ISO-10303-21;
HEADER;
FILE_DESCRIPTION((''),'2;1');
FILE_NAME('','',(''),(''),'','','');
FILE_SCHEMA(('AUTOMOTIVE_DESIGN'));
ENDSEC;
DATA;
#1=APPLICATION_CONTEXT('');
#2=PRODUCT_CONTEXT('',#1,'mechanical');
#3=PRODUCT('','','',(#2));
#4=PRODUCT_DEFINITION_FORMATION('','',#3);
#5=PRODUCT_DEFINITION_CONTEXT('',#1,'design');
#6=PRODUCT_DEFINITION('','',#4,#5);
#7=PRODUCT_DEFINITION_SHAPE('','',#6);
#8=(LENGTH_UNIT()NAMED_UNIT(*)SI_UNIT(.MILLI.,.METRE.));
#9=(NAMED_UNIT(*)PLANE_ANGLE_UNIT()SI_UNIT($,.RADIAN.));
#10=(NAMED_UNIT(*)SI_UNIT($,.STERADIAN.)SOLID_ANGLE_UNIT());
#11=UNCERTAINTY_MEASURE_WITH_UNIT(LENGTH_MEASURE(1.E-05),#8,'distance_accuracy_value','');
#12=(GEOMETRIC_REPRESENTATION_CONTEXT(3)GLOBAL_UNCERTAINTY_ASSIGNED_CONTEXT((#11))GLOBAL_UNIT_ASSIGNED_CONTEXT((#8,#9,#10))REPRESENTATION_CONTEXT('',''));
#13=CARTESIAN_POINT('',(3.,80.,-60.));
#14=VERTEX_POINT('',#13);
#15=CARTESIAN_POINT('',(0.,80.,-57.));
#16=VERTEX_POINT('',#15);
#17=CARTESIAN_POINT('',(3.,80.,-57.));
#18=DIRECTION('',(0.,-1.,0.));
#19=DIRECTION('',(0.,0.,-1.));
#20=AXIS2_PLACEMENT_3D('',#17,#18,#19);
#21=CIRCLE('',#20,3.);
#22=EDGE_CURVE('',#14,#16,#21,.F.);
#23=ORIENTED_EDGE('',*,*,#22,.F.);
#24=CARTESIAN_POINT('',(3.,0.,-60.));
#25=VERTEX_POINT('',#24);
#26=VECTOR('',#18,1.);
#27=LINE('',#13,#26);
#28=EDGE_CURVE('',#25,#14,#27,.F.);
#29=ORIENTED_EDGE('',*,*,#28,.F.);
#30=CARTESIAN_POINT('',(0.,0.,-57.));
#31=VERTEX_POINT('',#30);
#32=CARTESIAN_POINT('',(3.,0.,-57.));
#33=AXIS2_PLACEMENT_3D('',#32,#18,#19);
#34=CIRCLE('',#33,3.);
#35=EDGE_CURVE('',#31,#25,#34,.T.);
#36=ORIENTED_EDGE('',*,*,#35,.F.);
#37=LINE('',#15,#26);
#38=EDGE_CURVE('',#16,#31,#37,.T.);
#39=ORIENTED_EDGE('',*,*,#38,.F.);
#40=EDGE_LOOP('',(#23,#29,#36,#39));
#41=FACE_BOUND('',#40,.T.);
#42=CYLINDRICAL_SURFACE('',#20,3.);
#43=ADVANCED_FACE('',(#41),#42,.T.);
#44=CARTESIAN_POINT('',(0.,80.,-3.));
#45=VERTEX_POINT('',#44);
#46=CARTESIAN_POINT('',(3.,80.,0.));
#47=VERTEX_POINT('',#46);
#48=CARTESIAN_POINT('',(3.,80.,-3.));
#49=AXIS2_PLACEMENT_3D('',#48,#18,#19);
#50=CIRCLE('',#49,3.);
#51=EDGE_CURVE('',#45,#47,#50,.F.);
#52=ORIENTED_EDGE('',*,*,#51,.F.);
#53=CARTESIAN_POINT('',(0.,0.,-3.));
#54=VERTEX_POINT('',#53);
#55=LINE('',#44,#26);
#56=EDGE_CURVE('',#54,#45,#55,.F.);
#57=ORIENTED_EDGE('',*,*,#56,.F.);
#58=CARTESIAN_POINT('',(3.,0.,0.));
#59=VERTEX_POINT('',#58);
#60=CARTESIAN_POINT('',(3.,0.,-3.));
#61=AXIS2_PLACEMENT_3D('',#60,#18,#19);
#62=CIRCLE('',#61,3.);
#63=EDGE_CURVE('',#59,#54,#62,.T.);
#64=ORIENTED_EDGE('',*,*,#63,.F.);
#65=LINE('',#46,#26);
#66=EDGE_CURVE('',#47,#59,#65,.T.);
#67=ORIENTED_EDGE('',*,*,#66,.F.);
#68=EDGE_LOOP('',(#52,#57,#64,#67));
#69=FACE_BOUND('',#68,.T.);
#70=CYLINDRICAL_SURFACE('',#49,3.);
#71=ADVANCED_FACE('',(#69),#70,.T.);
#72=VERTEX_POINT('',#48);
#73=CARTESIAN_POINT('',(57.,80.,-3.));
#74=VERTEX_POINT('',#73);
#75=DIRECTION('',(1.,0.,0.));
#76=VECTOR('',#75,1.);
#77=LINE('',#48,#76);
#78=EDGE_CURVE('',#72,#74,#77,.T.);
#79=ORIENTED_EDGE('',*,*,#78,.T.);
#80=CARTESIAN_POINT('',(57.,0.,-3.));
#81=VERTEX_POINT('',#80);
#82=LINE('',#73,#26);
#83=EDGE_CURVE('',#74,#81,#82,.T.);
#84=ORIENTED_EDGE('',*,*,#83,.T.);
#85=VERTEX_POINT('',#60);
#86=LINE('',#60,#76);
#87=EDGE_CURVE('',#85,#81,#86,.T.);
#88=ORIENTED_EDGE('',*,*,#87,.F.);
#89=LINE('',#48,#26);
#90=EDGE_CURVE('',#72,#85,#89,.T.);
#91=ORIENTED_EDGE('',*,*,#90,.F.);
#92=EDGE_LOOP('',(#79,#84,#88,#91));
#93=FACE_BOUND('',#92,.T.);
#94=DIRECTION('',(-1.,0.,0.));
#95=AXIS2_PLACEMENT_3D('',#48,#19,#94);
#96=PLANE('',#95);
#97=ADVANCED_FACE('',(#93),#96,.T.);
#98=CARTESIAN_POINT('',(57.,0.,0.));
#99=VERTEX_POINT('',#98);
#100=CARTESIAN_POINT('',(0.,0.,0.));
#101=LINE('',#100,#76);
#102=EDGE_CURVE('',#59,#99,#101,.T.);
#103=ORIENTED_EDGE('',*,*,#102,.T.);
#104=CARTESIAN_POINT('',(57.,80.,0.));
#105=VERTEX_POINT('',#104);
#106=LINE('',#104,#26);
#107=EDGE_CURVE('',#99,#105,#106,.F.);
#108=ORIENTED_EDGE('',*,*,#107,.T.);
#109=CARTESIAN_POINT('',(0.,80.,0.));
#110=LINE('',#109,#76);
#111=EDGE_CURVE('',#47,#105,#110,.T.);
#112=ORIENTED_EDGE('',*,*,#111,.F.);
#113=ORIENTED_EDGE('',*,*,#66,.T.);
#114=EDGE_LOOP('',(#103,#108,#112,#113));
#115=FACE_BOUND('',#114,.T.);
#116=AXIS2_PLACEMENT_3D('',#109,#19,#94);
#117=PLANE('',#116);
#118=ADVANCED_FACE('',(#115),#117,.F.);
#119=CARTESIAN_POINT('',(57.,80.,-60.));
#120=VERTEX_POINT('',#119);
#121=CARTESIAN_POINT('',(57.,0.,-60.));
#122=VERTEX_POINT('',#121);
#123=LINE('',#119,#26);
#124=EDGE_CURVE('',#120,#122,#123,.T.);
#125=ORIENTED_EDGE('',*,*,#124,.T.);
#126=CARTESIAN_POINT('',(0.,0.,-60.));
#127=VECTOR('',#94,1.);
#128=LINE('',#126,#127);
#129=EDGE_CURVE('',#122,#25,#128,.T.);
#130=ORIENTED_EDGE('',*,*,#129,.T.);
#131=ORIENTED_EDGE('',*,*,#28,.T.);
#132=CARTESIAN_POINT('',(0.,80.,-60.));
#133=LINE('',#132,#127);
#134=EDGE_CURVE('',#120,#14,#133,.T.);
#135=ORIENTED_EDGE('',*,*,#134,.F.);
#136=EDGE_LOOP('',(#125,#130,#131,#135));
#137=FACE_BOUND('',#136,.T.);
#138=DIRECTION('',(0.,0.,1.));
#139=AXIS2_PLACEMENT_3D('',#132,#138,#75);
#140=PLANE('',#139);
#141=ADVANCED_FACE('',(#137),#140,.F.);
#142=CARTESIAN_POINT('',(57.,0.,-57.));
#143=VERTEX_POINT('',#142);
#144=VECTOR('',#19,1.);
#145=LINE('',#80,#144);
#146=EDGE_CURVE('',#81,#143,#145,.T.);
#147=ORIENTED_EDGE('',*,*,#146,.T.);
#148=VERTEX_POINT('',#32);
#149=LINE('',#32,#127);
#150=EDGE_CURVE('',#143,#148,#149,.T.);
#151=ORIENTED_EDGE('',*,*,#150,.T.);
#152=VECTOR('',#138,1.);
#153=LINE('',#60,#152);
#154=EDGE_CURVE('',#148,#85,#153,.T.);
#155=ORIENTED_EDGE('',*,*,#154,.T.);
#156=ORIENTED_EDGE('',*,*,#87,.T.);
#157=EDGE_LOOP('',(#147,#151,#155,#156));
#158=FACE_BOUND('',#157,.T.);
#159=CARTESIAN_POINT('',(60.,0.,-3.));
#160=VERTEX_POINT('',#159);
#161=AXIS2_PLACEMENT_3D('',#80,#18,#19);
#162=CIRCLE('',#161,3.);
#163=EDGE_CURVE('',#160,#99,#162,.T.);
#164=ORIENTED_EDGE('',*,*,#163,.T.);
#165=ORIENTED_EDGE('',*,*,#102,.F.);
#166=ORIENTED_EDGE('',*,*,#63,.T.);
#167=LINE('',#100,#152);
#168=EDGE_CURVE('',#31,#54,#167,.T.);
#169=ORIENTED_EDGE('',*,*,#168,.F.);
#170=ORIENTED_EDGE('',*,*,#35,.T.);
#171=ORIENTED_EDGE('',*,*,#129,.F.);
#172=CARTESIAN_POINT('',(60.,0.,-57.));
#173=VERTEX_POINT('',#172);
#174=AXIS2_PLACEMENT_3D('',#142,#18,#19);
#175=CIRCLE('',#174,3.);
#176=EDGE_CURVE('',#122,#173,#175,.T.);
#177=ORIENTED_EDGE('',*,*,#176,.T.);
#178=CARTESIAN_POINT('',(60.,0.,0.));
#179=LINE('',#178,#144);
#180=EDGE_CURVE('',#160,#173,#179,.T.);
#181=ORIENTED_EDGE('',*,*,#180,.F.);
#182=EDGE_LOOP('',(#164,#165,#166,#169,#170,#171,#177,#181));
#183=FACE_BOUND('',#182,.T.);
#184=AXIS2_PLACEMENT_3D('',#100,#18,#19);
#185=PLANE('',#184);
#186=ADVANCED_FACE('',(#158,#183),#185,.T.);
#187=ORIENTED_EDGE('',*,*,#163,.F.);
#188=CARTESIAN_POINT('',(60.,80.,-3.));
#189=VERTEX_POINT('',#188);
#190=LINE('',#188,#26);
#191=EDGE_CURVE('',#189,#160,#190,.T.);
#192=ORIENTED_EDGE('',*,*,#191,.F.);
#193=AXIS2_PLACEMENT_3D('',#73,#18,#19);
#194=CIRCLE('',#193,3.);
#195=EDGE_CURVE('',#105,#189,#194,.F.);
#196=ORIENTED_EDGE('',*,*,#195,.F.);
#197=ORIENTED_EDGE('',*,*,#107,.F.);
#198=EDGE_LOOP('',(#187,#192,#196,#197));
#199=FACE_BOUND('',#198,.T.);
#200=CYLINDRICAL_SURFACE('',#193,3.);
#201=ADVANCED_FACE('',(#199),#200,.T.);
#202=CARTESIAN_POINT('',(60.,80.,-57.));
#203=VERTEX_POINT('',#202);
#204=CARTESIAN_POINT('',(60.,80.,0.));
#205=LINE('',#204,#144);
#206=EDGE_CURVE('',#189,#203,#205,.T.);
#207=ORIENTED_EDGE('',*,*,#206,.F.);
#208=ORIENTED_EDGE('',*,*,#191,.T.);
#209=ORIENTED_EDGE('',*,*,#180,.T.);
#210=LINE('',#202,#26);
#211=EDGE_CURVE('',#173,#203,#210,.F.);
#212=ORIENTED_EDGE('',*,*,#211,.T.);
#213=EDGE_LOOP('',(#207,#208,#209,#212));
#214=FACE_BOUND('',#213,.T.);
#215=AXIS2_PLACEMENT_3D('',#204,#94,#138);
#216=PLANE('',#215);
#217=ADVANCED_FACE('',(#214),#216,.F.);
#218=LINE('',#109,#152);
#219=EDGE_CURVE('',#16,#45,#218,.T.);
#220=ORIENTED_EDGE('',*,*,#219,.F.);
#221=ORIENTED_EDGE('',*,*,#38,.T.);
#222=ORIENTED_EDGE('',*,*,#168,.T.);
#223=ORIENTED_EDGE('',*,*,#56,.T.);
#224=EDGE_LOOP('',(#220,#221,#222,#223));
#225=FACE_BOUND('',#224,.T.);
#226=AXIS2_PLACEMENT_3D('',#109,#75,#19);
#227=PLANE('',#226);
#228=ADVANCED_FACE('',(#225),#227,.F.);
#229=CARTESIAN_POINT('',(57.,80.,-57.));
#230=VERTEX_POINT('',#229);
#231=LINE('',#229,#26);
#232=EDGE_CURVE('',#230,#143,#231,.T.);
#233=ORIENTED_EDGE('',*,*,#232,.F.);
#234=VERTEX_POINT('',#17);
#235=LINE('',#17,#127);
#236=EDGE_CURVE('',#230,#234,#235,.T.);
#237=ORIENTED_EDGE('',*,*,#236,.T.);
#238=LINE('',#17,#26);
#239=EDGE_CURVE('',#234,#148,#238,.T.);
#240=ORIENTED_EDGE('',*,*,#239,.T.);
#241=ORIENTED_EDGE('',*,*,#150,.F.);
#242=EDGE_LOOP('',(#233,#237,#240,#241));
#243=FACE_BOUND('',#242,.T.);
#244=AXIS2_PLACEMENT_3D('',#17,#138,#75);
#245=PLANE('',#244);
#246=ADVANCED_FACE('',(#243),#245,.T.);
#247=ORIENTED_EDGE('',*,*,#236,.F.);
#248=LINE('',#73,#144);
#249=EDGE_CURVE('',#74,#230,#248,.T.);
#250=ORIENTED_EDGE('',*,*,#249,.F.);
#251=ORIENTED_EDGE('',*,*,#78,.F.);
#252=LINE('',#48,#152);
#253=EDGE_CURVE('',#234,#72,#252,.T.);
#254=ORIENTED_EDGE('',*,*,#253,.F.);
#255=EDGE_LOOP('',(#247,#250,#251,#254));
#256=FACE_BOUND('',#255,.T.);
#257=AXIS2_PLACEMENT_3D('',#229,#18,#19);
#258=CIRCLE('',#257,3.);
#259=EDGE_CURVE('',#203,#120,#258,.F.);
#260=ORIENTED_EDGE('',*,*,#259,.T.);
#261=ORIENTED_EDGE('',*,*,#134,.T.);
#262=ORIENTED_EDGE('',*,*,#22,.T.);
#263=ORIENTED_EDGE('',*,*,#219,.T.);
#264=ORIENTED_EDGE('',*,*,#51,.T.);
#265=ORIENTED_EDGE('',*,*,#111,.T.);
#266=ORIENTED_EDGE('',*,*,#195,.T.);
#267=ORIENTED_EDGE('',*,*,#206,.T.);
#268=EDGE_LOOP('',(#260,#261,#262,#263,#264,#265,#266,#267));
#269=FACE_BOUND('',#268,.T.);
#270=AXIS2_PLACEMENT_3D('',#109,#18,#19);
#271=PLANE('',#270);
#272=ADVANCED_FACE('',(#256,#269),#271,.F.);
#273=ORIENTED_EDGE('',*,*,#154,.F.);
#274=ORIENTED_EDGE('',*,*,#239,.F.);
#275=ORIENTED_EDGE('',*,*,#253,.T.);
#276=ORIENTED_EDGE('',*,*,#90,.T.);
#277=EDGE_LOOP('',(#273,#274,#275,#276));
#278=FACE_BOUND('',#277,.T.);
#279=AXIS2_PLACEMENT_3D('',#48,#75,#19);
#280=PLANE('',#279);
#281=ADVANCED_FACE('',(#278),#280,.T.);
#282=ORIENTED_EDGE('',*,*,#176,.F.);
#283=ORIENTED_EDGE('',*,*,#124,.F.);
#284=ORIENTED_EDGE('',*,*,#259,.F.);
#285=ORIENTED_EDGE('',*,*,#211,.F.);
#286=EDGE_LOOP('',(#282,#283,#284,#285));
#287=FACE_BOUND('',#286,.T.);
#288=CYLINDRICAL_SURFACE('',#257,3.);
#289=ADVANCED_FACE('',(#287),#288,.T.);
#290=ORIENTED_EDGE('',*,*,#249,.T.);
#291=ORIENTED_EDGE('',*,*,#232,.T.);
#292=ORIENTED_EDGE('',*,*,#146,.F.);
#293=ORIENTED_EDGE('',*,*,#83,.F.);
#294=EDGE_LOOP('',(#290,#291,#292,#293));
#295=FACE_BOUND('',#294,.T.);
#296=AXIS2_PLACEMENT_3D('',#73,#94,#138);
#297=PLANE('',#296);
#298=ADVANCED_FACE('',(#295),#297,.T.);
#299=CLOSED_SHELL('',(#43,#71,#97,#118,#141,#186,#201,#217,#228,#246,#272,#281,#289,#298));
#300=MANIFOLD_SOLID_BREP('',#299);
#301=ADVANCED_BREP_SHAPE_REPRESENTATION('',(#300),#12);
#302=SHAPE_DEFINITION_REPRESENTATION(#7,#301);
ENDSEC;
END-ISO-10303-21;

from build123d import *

# Parameters (mm, degrees)
SKETCH1_W           = 60
SKETCH1_H           = 60
SKETCH1_W_2         = 54
SKETCH1_H_2         = 54
BOSS_EXTRUDE1_DEPTH = 80
FILLET2_R           = 3


with BuildPart() as part:
    # Sketch1 → Boss-Extrude1 (new body)
    with BuildSketch(Plane(origin=(0, 0, 0), x_dir=(1, 0, 0), z_dir=(0, 1, 0))):
        with Locations((30, 30)):
            Rectangle(SKETCH1_W, SKETCH1_H)
        with Locations((30, 30)):
            Rectangle(SKETCH1_W_2, SKETCH1_H_2, mode=Mode.SUBTRACT)
    extrude(amount=BOSS_EXTRUDE1_DEPTH)

    # Fillet2
    fillet2_edges = [part.edges().sort_by_distance(p)[0] for p in [
        (0, 40, -60),
        (60, 40, -60),
        (60, 40, 0),
        (0, 40, 0),
    ]]
    fillet(fillet2_edges, radius=FILLET2_R)


solid = part.part
